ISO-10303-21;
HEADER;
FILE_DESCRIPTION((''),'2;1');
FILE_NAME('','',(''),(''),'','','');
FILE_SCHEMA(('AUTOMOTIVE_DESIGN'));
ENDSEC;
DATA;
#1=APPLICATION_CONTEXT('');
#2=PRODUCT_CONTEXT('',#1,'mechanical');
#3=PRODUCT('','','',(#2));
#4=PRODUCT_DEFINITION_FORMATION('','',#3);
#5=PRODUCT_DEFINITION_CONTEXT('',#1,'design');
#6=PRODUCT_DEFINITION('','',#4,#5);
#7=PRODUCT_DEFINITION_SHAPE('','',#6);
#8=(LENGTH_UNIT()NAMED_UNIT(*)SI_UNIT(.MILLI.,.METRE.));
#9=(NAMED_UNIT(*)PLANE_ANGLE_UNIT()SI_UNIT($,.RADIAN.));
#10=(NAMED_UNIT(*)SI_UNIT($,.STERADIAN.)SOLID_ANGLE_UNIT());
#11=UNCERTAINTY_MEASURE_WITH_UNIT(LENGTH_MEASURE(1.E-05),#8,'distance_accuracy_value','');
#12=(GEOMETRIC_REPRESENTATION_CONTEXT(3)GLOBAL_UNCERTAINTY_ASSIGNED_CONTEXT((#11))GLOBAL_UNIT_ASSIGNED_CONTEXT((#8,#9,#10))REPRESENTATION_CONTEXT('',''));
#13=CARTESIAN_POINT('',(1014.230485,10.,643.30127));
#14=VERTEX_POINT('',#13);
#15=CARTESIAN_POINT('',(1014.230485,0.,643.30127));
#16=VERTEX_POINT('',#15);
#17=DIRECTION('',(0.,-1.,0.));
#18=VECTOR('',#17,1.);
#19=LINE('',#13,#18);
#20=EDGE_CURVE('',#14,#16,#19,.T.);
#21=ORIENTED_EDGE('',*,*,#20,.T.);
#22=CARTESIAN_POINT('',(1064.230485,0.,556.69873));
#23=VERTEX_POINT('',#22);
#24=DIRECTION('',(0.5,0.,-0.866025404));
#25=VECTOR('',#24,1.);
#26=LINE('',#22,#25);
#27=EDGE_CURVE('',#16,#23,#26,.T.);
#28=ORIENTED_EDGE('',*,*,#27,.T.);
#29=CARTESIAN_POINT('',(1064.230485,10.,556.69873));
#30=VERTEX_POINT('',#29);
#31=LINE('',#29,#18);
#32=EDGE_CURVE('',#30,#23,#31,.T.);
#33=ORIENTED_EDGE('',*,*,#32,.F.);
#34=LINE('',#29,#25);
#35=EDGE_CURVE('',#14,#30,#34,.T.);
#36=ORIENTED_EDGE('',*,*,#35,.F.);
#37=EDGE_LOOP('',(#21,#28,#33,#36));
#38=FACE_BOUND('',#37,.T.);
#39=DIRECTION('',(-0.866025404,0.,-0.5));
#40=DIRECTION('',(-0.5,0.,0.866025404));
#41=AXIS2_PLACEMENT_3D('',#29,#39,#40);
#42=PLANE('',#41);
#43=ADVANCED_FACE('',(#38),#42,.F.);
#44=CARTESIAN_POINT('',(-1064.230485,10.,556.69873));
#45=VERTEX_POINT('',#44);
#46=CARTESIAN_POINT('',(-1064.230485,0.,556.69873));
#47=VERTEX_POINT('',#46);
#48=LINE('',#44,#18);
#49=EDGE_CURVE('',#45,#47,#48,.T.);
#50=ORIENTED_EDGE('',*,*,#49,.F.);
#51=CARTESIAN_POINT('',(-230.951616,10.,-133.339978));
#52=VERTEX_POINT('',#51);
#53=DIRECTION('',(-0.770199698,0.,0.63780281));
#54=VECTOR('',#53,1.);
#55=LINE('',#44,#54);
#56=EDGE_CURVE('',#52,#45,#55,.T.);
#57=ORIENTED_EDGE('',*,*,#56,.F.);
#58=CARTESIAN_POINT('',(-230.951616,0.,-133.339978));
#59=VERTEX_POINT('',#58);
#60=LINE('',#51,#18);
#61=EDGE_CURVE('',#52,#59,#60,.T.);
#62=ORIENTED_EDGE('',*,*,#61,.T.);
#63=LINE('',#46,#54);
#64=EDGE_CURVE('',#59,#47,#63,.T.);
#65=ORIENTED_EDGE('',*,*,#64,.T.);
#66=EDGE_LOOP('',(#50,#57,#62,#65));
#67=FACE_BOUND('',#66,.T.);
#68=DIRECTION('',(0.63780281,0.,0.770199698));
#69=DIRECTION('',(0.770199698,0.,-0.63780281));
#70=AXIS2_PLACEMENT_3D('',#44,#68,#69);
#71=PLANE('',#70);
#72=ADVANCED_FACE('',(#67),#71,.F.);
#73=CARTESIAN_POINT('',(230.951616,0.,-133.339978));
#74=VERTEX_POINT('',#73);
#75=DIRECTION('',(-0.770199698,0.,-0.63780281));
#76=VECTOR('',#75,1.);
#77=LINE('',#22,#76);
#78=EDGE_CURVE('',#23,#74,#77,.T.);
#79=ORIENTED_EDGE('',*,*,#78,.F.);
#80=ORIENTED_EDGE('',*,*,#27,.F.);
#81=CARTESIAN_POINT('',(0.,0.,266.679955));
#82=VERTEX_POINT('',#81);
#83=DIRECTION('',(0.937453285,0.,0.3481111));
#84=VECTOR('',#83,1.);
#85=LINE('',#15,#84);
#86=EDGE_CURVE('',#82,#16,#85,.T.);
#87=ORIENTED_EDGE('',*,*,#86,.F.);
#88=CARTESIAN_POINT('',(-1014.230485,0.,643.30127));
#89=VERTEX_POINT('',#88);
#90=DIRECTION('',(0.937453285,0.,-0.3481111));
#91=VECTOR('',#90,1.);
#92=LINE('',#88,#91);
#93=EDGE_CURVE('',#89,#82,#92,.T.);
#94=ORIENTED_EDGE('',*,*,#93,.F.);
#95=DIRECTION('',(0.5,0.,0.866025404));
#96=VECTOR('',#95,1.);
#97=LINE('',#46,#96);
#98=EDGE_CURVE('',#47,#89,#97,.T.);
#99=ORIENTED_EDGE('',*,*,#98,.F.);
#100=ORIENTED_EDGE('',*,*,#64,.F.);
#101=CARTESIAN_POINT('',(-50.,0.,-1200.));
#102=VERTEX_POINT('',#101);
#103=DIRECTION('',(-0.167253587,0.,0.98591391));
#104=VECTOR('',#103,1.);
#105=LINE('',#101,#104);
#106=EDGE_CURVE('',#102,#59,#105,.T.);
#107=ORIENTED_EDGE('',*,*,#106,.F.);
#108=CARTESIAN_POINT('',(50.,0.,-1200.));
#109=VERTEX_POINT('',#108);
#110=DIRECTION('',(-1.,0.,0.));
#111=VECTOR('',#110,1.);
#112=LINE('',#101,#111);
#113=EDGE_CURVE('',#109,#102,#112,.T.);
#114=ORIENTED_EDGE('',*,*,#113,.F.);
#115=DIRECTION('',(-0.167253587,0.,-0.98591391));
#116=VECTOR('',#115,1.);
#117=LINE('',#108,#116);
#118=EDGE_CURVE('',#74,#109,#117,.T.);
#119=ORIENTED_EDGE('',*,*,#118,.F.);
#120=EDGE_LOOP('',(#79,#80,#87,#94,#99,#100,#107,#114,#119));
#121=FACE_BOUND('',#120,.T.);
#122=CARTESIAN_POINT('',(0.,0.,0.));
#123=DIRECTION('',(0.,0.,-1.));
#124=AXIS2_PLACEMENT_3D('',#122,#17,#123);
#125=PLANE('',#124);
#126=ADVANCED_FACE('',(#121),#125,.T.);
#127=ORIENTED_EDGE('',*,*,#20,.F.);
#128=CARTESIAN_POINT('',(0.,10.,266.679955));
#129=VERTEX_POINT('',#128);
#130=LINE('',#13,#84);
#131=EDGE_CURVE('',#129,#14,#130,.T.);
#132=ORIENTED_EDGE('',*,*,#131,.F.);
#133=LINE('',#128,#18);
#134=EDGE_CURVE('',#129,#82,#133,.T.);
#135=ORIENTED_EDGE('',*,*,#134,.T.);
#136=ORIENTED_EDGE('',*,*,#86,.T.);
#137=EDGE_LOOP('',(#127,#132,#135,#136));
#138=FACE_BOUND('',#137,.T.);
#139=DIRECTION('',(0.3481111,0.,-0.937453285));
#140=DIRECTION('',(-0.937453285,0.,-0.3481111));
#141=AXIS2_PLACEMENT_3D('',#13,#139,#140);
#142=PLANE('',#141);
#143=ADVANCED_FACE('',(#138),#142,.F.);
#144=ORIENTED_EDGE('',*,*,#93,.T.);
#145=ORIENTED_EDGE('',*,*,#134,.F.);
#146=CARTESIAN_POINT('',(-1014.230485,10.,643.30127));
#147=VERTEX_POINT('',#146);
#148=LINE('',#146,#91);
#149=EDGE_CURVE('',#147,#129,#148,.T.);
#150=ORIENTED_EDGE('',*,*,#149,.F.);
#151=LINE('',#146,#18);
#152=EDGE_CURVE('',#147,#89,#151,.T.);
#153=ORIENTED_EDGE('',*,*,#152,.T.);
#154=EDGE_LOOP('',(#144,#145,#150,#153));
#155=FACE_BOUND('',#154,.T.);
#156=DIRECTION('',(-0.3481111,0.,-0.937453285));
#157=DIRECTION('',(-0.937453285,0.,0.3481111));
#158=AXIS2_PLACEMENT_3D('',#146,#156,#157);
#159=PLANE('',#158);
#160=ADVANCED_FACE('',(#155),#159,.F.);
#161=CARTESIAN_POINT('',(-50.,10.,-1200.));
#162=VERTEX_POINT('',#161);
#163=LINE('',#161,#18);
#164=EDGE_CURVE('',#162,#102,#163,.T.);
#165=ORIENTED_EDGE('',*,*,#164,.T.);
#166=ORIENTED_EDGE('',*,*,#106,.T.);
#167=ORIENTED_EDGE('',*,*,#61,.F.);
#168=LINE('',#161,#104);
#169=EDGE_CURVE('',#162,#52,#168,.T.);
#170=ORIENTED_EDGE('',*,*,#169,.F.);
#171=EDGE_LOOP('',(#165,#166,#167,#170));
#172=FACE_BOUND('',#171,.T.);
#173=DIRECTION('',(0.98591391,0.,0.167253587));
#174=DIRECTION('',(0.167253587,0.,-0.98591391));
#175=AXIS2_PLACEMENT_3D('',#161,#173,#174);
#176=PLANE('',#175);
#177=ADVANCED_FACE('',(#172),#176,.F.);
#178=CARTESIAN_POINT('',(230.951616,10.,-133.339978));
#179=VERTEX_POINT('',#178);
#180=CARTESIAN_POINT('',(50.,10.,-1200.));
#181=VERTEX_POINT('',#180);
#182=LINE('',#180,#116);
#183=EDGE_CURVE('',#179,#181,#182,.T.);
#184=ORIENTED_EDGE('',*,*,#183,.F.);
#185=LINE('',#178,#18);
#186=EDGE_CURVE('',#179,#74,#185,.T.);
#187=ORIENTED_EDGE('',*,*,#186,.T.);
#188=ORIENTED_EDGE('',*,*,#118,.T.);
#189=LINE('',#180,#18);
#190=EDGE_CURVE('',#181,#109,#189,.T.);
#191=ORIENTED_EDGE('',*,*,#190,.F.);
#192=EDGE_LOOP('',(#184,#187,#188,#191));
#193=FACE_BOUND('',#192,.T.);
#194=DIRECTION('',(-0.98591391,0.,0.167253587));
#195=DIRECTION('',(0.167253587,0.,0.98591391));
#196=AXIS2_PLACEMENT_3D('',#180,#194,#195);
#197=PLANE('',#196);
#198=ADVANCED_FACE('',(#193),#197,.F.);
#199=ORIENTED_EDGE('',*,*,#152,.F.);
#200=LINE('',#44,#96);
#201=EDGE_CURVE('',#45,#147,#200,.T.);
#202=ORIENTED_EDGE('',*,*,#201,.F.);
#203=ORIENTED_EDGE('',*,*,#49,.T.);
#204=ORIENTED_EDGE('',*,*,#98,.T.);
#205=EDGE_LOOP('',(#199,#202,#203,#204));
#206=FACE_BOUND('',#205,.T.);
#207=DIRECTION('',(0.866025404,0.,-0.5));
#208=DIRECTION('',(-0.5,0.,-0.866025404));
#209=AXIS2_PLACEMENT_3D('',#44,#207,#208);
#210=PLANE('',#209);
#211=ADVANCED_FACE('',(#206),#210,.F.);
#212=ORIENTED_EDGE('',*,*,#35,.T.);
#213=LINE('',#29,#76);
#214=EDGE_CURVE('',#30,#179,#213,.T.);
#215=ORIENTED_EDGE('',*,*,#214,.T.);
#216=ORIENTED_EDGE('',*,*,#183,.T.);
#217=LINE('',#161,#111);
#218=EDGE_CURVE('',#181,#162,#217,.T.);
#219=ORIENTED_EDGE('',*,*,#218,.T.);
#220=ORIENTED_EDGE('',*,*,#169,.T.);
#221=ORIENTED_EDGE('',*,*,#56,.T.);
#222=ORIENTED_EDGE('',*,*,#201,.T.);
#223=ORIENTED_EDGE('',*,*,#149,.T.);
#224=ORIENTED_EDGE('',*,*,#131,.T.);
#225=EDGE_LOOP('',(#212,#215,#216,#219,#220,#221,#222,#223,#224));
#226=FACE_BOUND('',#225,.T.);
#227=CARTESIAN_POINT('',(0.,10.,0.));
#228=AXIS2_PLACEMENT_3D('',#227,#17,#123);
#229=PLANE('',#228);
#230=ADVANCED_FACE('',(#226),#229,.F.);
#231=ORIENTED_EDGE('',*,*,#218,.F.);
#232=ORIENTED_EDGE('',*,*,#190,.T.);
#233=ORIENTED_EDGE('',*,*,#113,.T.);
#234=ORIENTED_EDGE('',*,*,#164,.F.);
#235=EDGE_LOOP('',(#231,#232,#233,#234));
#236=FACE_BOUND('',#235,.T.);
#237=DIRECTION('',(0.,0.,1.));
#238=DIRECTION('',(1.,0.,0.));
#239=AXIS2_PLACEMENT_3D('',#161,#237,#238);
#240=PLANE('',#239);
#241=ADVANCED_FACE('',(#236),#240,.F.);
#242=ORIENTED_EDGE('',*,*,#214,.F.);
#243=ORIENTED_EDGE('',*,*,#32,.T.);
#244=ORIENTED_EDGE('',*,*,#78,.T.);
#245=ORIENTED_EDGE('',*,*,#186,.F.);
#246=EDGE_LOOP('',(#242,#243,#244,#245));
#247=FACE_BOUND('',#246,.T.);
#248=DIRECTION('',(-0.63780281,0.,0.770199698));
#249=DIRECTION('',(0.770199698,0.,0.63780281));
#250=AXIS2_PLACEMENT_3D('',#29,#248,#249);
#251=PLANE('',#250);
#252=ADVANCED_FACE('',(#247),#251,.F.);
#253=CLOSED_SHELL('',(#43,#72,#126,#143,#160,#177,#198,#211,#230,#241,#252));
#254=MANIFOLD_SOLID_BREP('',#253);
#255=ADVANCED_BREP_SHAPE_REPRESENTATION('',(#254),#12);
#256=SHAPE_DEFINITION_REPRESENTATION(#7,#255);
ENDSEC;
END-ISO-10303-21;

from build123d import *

# Parameters (mm, degrees)
SALIENTE_EXTRUIR2_DEPTH = 10


with BuildPart() as part:
    # Croquis1 → Saliente-Extruir2 (new body)
    with BuildSketch(Plane(origin=(0, 0, 0), x_dir=(1, 0, 0), z_dir=(0, 1, 0))):
        Polygon((1064.230484541, -556.698729811), (230.951615741, 133.339977518), (50, 1200), (-50, 1200), (-230.951615741, 133.339977518), (-1064.230484541, -556.698729811), (-1014.230484541, -643.301270189), (0, -266.679955035), (1014.230484541, -643.301270189), align=None)
    extrude(amount=SALIENTE_EXTRUIR2_DEPTH)


solid = part.part
